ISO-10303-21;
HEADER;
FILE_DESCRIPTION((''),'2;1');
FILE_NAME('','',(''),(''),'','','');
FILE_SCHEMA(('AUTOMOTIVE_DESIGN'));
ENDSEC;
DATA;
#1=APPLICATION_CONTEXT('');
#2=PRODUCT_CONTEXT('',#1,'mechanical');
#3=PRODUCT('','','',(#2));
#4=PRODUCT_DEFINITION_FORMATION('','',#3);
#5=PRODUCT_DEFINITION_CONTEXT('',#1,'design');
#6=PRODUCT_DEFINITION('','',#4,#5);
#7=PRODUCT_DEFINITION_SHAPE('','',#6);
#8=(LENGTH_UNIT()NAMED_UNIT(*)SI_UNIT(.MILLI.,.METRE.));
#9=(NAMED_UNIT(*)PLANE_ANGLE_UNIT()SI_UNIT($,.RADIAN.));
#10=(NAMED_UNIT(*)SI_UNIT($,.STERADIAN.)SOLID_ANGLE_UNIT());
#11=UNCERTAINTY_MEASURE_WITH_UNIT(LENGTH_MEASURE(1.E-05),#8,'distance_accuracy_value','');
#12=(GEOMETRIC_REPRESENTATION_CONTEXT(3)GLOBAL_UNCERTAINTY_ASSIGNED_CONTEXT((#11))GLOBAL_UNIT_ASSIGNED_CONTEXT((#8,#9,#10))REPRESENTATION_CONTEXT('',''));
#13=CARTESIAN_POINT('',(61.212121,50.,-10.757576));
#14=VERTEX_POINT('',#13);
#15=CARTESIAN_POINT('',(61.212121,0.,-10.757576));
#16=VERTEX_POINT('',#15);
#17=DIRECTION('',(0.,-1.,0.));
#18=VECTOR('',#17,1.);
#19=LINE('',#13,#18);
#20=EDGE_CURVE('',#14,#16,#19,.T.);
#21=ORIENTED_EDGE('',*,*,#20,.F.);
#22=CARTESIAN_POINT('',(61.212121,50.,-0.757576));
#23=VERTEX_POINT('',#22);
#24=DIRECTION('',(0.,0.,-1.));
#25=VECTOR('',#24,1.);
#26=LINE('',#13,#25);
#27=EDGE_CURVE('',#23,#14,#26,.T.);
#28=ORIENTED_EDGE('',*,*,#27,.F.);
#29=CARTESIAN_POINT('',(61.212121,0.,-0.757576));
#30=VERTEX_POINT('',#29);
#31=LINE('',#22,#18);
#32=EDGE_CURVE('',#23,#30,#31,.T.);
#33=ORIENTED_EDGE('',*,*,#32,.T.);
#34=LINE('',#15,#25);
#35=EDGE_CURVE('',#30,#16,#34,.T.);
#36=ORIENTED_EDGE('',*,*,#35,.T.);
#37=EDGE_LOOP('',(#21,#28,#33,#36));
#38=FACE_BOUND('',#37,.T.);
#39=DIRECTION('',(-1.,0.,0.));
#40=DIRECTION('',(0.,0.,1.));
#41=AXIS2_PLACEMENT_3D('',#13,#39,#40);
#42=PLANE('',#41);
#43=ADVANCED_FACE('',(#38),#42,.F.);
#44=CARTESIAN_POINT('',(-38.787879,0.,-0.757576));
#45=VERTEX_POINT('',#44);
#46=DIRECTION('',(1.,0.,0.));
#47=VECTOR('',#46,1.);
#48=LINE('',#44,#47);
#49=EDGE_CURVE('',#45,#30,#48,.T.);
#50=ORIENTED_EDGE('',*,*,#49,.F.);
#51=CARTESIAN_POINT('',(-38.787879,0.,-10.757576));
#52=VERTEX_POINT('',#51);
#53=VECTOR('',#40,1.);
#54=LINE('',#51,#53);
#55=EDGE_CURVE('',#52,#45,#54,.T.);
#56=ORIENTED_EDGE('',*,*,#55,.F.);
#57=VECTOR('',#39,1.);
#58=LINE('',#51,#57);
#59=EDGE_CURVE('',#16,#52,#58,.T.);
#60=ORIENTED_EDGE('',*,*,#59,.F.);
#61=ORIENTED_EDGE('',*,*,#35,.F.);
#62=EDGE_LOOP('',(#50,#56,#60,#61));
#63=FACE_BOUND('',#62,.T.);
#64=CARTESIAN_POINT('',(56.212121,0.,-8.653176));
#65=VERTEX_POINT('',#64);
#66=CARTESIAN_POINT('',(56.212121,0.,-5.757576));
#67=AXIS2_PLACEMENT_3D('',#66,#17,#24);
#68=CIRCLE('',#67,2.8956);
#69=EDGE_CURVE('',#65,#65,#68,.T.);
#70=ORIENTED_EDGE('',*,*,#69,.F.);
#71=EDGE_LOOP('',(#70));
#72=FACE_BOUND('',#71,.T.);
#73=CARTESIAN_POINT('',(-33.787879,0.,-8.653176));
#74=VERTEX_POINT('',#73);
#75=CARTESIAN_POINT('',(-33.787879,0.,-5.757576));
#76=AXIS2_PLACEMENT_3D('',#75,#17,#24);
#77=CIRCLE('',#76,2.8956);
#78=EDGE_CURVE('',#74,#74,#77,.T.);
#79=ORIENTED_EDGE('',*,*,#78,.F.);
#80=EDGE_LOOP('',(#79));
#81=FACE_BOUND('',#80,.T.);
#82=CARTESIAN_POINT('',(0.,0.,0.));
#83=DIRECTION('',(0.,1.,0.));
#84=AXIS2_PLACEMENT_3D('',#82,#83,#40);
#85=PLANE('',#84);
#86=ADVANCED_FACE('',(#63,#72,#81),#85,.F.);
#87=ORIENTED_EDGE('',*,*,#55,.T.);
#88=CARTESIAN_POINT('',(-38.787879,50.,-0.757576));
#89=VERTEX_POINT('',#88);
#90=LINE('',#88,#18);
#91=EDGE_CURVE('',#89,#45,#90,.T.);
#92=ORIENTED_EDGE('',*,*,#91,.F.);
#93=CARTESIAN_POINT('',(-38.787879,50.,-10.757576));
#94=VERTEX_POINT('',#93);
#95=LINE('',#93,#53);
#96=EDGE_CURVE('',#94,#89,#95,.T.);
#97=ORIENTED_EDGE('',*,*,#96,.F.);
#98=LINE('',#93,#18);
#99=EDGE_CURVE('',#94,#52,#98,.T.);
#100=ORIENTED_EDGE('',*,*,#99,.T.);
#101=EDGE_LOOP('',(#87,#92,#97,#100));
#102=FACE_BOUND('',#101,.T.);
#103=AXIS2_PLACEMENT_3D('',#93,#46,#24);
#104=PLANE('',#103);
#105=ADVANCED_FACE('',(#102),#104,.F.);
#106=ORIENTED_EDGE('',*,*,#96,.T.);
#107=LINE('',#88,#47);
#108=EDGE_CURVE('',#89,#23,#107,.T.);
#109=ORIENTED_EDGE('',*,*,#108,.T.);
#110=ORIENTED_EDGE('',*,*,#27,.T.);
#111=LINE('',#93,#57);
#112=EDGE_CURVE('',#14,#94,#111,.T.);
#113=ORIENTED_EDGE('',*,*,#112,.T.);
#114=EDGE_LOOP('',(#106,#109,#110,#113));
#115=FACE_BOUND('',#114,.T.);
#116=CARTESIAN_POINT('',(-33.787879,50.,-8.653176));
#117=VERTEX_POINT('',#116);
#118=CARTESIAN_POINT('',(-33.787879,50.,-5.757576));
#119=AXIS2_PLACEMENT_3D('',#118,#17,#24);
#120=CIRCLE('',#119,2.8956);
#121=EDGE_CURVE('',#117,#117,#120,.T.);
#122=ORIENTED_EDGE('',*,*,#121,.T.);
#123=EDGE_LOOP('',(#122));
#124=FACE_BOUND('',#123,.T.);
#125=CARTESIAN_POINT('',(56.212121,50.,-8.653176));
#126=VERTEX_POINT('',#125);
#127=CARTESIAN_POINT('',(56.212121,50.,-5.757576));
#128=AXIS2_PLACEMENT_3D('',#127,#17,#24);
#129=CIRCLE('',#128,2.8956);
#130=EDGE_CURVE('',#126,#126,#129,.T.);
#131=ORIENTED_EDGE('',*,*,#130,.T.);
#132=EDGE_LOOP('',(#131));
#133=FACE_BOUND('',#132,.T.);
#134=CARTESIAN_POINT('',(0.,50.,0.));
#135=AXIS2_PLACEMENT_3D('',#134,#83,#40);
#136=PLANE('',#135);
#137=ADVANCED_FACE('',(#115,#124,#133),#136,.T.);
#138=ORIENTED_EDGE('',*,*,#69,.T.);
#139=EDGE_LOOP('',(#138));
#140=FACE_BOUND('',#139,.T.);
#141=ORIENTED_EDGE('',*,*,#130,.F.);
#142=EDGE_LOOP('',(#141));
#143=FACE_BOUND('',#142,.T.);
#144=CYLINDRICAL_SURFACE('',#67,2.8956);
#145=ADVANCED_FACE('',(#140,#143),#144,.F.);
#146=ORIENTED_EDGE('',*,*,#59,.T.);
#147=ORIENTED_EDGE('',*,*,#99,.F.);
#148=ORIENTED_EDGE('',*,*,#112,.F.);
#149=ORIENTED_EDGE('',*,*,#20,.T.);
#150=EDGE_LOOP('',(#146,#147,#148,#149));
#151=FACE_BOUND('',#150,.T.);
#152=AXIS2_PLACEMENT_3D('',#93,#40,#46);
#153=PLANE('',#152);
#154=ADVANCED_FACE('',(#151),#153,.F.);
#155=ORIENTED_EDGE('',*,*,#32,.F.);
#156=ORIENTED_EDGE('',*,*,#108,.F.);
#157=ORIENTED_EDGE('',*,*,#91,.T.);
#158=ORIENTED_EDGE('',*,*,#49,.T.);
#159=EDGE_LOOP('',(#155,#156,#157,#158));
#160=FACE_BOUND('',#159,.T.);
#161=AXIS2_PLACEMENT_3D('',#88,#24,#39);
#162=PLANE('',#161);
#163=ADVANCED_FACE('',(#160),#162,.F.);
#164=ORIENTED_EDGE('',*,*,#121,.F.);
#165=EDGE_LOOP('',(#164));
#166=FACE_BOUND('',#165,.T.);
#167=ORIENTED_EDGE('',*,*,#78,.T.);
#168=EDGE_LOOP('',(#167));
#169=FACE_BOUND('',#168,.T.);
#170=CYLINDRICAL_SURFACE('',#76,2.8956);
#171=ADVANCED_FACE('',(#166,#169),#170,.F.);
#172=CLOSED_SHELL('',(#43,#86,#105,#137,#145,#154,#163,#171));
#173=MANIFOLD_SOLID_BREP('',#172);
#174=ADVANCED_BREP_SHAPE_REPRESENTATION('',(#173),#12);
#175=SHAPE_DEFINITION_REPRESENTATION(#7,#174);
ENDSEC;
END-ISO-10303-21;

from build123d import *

# Parameters (mm, degrees)
SKETCH1_W                  = 100
SKETCH1_H                  = 10
BOSS_EXTRUDE1_DEPTH        = 50
F_1_0_228_DIAMETER_HOLE1_D = 5.7912


with BuildPart() as part:
    # Sketch1 → Boss-Extrude1 (new body)
    with BuildSketch(Plane(origin=(0, 0, 0), x_dir=(1, 0, 0), z_dir=(0, 1, 0))):
        with Locations((11.212121212, 5.757575758)):
            Rectangle(SKETCH1_W, SKETCH1_H)
    extrude(amount=BOSS_EXTRUDE1_DEPTH)

    # #1 (0.228) Diameter Hole1 (through all)
    with Locations(Plane(origin=(56.212121212, 0, -5.757575758), x_dir=(0, 0, -1), z_dir=(0, -1, 0))):
        with Locations((0, 0), (0, -90)):
            Hole(F_1_0_228_DIAMETER_HOLE1_D / 2)


solid = part.part
